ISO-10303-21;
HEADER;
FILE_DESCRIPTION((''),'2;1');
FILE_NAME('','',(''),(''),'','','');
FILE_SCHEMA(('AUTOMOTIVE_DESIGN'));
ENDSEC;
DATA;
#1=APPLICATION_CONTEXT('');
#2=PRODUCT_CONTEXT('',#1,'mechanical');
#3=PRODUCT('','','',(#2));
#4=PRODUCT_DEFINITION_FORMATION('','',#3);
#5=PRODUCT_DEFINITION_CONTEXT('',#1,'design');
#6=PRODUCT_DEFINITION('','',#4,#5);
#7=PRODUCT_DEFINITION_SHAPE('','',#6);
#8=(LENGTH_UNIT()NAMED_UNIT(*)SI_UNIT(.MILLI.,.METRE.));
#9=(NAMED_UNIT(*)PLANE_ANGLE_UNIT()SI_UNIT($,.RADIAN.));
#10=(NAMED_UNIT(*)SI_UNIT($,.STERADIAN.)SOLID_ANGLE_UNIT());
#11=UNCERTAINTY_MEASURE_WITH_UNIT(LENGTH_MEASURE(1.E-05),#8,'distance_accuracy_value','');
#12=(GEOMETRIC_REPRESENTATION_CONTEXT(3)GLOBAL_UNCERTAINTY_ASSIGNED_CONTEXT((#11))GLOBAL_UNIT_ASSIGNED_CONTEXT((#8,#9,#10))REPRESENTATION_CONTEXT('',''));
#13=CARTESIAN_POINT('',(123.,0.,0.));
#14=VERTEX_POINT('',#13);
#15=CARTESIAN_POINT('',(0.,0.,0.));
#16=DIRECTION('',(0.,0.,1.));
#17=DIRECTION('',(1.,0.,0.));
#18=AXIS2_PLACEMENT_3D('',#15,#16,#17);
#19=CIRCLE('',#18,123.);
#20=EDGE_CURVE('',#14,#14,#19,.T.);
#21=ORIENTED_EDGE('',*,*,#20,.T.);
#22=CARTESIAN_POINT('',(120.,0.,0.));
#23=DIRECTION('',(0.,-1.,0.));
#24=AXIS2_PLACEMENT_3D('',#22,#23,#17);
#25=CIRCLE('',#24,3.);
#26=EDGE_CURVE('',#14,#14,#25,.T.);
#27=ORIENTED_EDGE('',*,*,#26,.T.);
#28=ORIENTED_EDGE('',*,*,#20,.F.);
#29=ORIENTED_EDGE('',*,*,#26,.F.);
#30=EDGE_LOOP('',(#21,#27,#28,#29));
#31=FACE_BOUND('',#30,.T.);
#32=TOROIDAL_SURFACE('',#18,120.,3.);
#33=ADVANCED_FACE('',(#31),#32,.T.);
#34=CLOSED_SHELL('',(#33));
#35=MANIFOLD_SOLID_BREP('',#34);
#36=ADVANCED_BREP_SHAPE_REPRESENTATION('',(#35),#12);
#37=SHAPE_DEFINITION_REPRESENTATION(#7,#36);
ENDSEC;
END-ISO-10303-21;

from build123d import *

# Parameters (mm, degrees)
TORUS_R = 3


with BuildPart() as part:
    # Torus → Torus (revolve)
    with BuildSketch(Plane.XZ):
        with Locations((120, 0)):
            Circle(TORUS_R)
    revolve(axis=Axis((0, 0, 0), (0, 0, 1)))


solid = part.part
